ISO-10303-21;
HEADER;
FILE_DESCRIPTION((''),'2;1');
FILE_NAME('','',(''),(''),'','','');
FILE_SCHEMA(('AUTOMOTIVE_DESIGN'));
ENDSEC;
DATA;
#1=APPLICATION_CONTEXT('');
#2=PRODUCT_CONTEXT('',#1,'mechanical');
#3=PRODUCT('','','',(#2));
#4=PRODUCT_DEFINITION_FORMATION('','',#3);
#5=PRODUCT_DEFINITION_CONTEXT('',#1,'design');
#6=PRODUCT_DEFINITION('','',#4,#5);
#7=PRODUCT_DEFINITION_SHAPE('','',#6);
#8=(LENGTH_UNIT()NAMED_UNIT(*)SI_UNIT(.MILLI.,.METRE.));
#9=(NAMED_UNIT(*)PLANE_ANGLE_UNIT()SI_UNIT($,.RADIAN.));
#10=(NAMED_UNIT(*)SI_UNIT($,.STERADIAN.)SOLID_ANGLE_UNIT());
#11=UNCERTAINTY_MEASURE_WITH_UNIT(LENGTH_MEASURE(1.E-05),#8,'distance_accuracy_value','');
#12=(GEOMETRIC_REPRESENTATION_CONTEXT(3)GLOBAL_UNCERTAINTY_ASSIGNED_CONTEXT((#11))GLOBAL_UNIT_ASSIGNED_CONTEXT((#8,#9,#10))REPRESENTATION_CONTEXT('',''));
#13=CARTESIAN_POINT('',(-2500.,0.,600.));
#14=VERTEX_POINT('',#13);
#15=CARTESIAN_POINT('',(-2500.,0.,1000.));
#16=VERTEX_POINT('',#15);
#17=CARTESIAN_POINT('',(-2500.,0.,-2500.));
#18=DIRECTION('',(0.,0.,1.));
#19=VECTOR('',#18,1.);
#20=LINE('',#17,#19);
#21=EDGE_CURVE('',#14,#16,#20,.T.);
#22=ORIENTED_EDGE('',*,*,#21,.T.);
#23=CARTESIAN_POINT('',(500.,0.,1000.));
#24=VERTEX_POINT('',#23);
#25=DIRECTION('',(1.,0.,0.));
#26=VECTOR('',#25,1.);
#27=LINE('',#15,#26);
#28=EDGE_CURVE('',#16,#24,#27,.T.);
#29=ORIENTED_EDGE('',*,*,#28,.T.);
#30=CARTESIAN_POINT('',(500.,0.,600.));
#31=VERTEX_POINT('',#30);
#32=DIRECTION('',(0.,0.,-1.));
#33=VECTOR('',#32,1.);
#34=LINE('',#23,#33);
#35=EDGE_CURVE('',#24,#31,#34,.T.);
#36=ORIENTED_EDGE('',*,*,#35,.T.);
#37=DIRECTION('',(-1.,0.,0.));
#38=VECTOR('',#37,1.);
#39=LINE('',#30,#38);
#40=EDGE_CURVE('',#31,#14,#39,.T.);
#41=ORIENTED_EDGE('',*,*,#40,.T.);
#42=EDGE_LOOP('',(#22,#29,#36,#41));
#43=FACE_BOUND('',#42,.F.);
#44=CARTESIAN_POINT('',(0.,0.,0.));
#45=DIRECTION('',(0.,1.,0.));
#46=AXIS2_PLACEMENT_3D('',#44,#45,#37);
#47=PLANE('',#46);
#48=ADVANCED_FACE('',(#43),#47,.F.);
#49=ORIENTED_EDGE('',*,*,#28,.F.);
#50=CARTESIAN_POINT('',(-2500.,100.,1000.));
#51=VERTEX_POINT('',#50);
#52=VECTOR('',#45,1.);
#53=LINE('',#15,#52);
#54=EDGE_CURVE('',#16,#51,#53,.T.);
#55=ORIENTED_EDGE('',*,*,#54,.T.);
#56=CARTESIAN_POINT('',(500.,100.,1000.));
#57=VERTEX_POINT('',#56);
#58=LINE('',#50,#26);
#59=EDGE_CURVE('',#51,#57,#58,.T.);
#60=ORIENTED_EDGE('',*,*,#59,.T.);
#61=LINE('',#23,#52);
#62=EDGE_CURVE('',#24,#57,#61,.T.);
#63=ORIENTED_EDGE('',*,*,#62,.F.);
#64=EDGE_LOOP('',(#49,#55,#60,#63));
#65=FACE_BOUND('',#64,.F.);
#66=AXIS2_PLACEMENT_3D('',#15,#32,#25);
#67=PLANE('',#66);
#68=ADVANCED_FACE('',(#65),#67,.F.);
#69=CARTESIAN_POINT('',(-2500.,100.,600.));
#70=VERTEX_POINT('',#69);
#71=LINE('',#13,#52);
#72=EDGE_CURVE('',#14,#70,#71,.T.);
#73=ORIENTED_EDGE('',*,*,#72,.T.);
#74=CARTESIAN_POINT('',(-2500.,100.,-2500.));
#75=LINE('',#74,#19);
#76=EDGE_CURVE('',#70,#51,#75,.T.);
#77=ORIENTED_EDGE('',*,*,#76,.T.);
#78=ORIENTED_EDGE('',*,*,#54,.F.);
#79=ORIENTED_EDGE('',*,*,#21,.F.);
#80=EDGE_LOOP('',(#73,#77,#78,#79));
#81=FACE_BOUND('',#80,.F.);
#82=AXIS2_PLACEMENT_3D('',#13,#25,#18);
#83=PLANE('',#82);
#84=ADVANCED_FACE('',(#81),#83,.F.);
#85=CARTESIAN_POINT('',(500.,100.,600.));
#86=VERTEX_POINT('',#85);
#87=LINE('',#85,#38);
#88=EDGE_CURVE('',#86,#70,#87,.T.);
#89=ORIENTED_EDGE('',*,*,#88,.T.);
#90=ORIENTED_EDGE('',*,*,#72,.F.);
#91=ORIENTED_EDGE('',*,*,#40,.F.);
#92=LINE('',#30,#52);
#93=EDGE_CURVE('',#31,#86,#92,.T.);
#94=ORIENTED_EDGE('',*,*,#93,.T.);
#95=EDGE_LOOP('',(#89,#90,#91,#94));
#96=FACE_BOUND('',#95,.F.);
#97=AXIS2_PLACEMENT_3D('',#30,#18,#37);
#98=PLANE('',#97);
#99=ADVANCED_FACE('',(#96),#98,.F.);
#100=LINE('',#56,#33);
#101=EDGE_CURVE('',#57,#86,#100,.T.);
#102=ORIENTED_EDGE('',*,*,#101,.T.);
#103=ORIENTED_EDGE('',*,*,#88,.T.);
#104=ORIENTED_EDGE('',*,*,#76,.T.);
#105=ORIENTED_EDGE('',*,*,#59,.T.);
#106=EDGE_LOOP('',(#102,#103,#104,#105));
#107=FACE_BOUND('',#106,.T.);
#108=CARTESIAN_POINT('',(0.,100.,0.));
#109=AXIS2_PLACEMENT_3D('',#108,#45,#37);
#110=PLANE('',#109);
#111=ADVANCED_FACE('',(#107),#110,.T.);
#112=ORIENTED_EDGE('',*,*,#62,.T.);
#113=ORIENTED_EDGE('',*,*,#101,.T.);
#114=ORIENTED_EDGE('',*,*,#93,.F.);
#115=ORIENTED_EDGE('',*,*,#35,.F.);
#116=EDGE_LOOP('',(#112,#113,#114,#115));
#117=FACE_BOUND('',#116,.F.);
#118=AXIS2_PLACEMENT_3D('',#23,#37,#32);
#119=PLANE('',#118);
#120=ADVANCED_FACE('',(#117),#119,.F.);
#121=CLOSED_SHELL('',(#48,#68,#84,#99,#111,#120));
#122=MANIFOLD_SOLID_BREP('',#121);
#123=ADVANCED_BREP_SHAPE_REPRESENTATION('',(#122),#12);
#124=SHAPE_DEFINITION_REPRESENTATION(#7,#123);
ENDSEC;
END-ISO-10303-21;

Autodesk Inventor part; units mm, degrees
ref_plane "YZ Plane" through (0, 0, 0) normal (1, 0, 0) x (0, 1, 0)
ref_plane "XZ Plane" through (0, 0, 0) normal (0, 1, 0) x (-1, 0, 0)
ref_plane "XY Plane" through (0, 0, 0) normal (0, 0, 1) x (1, 0, 0)
sketch "Sketch1" plane through (0, 0, 0) normal (0, 1, 0) x (-1, 0, 0)
  line L0 (2500, 2500) -> (-2500, 2500)
  line L1 (-2500, 2500) -> (-2500, -2500)
  line L2 (-2500, -2500) -> (2500, -2500)
  line L3 (2500, -2500) -> (2500, 2500)
  line L4 (2500, 2500) -> (-2500, -2500) construction
  line L5 (-2500, 2500) -> (2500, -2500) construction
  line L6 (2500, 1000) -> (-500, 1000)
  line L7 (-500, 1000) -> (-500, 600)
  line L8 (-500, 600) -> (2500, 600)
  line L9 (2500, 600) -> (2500, 1000)
  point P0 (0, 0)
  dimension "d0" = 5000
  dimension "d1" = 5000
  dimension "d2" = 3000
  dimension "d3" = 400
  dimension "d4" = 1500
extrude "Extrusion1" add sketch "Sketch1" along normal blind 100 contours L3 L8 L7 L6
properties part number "simple_hall"
